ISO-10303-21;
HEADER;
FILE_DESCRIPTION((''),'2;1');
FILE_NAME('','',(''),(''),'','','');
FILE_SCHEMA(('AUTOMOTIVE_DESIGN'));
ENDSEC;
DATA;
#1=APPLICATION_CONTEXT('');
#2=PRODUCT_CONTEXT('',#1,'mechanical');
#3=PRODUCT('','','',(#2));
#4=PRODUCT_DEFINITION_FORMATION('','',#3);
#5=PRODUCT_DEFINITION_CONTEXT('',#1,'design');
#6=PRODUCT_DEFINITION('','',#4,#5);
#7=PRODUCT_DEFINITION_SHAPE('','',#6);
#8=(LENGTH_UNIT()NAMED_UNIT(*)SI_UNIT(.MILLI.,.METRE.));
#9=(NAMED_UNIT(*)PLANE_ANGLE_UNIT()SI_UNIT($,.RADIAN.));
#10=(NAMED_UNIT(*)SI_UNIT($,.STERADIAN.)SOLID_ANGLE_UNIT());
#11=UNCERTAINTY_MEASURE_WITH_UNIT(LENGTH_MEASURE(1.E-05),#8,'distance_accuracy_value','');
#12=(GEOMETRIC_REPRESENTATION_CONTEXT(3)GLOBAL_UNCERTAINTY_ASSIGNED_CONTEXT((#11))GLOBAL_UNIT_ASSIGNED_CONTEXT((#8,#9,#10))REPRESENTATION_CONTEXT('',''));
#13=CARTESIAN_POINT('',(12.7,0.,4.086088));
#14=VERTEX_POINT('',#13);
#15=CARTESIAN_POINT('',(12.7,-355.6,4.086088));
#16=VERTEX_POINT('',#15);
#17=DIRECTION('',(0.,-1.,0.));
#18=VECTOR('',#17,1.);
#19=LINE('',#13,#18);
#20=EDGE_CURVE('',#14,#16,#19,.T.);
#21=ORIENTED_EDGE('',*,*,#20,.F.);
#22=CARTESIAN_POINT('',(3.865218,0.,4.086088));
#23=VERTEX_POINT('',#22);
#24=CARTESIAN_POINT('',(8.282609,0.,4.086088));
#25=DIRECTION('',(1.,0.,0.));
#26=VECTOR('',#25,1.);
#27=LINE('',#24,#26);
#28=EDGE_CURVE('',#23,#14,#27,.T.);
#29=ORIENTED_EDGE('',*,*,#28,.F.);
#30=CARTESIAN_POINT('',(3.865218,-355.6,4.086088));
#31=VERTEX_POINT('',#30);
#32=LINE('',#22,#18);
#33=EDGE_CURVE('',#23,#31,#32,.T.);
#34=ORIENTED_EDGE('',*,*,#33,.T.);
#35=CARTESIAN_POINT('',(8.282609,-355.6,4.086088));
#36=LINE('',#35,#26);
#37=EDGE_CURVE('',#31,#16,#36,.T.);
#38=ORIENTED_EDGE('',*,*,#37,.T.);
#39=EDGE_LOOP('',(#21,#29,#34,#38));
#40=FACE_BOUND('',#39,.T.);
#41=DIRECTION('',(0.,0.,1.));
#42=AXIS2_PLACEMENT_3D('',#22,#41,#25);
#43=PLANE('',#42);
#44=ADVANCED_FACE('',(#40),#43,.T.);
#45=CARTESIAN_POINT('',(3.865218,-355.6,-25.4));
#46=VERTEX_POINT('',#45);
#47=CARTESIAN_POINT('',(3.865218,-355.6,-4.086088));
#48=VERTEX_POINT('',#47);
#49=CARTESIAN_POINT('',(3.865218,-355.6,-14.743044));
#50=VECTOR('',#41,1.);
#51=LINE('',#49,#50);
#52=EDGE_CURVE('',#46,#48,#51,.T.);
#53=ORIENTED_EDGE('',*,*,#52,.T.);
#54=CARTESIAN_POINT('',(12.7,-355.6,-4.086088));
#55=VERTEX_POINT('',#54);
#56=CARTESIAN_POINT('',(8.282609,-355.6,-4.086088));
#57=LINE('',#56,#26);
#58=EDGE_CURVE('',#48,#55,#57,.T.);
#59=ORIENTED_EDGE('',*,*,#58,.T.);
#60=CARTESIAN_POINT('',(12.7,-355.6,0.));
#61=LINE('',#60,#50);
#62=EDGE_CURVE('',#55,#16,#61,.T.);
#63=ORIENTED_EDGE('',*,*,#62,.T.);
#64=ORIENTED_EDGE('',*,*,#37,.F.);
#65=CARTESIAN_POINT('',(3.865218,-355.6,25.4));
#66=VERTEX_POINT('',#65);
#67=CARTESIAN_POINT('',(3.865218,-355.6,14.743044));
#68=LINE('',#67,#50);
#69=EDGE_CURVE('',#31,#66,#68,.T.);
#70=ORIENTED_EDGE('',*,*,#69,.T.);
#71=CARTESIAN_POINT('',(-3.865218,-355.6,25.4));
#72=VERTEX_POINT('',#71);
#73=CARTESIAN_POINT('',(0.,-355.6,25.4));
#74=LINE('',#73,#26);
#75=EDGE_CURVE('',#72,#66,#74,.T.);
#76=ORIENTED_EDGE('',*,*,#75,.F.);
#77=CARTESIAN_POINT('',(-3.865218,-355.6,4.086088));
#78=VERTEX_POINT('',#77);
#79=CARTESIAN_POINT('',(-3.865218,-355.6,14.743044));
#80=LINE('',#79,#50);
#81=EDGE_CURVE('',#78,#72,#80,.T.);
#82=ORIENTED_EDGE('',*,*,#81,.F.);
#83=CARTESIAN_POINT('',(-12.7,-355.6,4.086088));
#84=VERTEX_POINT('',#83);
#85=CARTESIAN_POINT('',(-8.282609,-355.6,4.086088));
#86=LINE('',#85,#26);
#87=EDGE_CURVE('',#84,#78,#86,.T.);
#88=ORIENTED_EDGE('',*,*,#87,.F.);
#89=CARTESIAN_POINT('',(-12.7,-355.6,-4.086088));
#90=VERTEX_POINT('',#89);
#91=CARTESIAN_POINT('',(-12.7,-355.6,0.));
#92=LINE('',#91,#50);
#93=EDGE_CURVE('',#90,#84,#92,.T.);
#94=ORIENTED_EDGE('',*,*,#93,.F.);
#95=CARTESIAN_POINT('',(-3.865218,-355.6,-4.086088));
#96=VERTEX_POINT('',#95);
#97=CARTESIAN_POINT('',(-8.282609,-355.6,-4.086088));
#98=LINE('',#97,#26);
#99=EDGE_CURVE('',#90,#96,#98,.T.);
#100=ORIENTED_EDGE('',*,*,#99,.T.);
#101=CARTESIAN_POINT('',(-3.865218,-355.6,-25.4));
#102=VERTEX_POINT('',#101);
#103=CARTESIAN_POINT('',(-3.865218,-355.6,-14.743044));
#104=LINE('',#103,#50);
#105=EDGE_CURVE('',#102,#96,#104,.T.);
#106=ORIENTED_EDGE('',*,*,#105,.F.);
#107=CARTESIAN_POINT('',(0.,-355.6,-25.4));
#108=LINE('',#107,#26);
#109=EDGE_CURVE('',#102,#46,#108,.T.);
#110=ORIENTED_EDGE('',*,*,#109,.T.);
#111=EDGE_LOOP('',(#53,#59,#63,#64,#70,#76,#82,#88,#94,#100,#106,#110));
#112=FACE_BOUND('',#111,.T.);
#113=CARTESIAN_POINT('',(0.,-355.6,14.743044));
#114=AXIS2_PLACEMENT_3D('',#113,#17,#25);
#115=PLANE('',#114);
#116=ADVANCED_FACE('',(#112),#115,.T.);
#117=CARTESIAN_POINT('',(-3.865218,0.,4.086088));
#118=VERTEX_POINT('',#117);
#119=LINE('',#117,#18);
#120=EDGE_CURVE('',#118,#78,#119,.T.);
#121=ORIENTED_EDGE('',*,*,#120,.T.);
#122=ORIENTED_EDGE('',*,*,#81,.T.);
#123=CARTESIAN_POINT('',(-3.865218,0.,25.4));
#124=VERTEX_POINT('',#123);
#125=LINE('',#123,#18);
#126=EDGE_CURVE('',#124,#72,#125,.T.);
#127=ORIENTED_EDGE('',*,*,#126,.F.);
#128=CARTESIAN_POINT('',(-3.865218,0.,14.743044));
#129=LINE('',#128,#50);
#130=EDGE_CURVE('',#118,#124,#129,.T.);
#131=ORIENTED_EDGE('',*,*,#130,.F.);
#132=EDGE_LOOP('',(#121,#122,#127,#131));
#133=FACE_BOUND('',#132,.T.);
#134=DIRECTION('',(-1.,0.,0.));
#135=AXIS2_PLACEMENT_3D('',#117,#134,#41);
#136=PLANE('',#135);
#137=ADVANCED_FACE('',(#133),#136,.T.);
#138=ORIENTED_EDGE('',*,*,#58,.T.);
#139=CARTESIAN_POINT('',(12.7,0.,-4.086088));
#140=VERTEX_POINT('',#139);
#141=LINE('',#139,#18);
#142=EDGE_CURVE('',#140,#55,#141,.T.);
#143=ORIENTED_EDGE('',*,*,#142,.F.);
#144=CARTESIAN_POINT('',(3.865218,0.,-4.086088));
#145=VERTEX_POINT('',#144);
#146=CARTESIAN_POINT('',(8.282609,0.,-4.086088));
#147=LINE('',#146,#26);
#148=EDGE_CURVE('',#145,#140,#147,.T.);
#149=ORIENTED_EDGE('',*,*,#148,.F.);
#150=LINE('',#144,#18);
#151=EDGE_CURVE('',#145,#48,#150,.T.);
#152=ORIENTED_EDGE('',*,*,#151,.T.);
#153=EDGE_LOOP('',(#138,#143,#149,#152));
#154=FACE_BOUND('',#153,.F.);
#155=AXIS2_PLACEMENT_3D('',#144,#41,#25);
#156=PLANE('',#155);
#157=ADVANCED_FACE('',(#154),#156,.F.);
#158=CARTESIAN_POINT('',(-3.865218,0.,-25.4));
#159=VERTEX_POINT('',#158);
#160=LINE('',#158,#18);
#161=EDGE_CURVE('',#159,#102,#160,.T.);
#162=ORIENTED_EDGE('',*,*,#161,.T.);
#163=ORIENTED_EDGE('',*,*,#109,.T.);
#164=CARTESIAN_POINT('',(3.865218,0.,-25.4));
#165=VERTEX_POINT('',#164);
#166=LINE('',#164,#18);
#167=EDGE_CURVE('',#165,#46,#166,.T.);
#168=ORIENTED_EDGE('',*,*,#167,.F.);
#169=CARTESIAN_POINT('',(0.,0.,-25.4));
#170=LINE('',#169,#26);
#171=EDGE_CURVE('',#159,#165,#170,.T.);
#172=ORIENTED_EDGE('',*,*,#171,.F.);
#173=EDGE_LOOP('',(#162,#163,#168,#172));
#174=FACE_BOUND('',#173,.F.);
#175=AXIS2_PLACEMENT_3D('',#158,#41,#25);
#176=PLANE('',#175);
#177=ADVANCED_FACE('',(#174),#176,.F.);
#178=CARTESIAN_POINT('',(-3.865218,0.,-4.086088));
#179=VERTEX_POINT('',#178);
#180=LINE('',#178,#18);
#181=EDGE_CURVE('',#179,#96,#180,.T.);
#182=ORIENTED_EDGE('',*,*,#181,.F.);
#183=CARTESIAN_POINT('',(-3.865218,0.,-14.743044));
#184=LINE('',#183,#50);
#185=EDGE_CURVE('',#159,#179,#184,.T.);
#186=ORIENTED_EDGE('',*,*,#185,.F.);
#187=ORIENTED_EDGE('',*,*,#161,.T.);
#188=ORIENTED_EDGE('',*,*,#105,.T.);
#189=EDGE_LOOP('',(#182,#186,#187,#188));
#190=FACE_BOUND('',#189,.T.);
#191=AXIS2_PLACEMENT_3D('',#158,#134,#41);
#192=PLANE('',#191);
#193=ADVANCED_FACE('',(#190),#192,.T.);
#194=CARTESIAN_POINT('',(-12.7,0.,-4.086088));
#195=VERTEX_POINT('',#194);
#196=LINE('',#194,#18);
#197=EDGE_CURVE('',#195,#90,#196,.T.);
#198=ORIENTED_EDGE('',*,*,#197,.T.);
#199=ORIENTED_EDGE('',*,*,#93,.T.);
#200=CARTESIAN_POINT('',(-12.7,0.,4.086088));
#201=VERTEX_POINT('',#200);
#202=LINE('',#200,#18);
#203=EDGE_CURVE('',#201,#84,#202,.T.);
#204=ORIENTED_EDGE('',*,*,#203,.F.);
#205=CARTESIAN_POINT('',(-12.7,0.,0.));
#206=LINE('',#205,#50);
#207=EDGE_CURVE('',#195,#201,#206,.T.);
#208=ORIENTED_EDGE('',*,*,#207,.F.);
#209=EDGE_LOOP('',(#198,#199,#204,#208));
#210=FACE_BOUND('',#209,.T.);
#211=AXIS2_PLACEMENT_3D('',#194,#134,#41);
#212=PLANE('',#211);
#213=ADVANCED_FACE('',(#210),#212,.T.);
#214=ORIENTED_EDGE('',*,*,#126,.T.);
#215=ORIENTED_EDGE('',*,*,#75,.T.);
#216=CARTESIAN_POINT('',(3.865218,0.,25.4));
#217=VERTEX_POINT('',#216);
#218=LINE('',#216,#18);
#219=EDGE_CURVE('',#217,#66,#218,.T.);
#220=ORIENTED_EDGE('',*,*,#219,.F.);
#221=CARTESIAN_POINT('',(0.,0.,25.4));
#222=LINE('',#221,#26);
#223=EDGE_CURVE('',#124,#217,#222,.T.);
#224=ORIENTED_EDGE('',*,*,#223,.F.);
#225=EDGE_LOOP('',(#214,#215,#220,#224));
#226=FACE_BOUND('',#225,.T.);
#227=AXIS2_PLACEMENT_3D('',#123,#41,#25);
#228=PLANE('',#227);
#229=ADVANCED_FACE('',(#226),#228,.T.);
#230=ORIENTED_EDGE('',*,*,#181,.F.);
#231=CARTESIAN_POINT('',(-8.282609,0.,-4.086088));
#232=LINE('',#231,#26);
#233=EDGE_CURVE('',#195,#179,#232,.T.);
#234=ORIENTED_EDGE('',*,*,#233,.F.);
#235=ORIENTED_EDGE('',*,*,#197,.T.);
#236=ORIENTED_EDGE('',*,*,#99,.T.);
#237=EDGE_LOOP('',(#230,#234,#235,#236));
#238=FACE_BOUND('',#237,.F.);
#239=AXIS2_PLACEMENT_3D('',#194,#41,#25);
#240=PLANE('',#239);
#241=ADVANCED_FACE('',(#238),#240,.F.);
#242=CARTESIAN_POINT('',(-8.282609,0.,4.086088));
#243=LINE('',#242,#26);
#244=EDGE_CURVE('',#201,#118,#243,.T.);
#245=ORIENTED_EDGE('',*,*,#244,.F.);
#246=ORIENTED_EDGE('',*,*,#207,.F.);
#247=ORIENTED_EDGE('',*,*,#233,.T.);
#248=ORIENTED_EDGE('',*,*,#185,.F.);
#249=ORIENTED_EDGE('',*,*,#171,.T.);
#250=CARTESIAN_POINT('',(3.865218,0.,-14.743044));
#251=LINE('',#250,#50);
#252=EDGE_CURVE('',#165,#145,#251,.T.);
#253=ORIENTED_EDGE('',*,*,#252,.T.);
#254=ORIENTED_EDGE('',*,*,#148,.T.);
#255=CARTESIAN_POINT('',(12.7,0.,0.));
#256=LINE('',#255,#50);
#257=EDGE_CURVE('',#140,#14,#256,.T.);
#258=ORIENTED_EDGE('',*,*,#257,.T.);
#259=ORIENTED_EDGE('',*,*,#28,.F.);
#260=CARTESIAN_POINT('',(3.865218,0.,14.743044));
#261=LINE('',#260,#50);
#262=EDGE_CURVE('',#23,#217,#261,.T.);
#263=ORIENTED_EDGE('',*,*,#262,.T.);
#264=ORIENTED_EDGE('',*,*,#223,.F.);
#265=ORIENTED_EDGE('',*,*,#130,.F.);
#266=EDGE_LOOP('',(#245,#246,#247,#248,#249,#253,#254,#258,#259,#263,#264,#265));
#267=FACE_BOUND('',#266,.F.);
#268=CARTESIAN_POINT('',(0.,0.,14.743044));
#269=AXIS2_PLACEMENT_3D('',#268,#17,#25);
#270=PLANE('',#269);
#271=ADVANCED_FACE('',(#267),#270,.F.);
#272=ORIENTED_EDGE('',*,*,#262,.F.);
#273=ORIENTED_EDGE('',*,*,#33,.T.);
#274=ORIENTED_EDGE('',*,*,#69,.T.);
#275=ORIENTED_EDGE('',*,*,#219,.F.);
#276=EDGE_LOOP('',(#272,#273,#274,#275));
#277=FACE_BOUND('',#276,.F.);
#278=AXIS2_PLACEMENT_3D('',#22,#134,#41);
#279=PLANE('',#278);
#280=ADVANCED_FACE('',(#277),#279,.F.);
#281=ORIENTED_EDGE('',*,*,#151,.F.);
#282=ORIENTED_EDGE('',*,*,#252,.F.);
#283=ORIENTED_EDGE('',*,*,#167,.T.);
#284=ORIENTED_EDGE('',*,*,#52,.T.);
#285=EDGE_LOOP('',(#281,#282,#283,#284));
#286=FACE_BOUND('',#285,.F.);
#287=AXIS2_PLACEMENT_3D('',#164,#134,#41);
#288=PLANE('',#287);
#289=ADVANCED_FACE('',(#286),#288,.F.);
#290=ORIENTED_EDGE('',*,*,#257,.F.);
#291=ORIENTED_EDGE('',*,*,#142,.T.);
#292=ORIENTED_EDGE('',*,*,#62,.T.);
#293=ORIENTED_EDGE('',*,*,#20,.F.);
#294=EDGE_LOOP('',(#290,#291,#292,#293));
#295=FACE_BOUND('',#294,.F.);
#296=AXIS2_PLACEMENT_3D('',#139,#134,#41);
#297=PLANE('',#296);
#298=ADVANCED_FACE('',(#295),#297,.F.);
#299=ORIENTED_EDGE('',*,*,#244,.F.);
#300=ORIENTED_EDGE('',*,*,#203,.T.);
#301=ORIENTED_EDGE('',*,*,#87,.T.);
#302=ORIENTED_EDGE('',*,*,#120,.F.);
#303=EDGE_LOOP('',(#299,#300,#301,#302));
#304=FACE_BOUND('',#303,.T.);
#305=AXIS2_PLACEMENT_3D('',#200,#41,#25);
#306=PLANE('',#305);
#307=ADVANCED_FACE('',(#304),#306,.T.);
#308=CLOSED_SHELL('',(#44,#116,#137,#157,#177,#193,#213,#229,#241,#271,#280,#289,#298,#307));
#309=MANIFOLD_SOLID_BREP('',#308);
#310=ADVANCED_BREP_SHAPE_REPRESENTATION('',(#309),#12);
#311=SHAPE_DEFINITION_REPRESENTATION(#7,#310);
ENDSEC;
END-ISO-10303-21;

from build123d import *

# Parameters (mm, degrees)
F0_W     = 7.7304354078
F0_H     = 21.3139118999
F0_W_2   = 8.8347822961
F0_H_2   = 8.1721762002
F1_DEPTH = 355.6


with BuildPart() as f1:
    # F0 (on Front) → F1 (new body)
    with BuildSketch(Plane.XZ):
        with Locations((0, 14.7430440501)):
            Rectangle(F0_W, F0_H)
        with Locations((-8.282608852, 0)):
            Rectangle(F0_W_2, F0_H_2)
        with Locations((8.282608852, 0)):
            Rectangle(F0_W_2, F0_H_2)
        with Locations((0, -14.7430440501)):
            Rectangle(F0_W, F0_H)
        Rectangle(F0_W, F0_H_2)
    extrude(amount=F1_DEPTH)


solid = f1.part
